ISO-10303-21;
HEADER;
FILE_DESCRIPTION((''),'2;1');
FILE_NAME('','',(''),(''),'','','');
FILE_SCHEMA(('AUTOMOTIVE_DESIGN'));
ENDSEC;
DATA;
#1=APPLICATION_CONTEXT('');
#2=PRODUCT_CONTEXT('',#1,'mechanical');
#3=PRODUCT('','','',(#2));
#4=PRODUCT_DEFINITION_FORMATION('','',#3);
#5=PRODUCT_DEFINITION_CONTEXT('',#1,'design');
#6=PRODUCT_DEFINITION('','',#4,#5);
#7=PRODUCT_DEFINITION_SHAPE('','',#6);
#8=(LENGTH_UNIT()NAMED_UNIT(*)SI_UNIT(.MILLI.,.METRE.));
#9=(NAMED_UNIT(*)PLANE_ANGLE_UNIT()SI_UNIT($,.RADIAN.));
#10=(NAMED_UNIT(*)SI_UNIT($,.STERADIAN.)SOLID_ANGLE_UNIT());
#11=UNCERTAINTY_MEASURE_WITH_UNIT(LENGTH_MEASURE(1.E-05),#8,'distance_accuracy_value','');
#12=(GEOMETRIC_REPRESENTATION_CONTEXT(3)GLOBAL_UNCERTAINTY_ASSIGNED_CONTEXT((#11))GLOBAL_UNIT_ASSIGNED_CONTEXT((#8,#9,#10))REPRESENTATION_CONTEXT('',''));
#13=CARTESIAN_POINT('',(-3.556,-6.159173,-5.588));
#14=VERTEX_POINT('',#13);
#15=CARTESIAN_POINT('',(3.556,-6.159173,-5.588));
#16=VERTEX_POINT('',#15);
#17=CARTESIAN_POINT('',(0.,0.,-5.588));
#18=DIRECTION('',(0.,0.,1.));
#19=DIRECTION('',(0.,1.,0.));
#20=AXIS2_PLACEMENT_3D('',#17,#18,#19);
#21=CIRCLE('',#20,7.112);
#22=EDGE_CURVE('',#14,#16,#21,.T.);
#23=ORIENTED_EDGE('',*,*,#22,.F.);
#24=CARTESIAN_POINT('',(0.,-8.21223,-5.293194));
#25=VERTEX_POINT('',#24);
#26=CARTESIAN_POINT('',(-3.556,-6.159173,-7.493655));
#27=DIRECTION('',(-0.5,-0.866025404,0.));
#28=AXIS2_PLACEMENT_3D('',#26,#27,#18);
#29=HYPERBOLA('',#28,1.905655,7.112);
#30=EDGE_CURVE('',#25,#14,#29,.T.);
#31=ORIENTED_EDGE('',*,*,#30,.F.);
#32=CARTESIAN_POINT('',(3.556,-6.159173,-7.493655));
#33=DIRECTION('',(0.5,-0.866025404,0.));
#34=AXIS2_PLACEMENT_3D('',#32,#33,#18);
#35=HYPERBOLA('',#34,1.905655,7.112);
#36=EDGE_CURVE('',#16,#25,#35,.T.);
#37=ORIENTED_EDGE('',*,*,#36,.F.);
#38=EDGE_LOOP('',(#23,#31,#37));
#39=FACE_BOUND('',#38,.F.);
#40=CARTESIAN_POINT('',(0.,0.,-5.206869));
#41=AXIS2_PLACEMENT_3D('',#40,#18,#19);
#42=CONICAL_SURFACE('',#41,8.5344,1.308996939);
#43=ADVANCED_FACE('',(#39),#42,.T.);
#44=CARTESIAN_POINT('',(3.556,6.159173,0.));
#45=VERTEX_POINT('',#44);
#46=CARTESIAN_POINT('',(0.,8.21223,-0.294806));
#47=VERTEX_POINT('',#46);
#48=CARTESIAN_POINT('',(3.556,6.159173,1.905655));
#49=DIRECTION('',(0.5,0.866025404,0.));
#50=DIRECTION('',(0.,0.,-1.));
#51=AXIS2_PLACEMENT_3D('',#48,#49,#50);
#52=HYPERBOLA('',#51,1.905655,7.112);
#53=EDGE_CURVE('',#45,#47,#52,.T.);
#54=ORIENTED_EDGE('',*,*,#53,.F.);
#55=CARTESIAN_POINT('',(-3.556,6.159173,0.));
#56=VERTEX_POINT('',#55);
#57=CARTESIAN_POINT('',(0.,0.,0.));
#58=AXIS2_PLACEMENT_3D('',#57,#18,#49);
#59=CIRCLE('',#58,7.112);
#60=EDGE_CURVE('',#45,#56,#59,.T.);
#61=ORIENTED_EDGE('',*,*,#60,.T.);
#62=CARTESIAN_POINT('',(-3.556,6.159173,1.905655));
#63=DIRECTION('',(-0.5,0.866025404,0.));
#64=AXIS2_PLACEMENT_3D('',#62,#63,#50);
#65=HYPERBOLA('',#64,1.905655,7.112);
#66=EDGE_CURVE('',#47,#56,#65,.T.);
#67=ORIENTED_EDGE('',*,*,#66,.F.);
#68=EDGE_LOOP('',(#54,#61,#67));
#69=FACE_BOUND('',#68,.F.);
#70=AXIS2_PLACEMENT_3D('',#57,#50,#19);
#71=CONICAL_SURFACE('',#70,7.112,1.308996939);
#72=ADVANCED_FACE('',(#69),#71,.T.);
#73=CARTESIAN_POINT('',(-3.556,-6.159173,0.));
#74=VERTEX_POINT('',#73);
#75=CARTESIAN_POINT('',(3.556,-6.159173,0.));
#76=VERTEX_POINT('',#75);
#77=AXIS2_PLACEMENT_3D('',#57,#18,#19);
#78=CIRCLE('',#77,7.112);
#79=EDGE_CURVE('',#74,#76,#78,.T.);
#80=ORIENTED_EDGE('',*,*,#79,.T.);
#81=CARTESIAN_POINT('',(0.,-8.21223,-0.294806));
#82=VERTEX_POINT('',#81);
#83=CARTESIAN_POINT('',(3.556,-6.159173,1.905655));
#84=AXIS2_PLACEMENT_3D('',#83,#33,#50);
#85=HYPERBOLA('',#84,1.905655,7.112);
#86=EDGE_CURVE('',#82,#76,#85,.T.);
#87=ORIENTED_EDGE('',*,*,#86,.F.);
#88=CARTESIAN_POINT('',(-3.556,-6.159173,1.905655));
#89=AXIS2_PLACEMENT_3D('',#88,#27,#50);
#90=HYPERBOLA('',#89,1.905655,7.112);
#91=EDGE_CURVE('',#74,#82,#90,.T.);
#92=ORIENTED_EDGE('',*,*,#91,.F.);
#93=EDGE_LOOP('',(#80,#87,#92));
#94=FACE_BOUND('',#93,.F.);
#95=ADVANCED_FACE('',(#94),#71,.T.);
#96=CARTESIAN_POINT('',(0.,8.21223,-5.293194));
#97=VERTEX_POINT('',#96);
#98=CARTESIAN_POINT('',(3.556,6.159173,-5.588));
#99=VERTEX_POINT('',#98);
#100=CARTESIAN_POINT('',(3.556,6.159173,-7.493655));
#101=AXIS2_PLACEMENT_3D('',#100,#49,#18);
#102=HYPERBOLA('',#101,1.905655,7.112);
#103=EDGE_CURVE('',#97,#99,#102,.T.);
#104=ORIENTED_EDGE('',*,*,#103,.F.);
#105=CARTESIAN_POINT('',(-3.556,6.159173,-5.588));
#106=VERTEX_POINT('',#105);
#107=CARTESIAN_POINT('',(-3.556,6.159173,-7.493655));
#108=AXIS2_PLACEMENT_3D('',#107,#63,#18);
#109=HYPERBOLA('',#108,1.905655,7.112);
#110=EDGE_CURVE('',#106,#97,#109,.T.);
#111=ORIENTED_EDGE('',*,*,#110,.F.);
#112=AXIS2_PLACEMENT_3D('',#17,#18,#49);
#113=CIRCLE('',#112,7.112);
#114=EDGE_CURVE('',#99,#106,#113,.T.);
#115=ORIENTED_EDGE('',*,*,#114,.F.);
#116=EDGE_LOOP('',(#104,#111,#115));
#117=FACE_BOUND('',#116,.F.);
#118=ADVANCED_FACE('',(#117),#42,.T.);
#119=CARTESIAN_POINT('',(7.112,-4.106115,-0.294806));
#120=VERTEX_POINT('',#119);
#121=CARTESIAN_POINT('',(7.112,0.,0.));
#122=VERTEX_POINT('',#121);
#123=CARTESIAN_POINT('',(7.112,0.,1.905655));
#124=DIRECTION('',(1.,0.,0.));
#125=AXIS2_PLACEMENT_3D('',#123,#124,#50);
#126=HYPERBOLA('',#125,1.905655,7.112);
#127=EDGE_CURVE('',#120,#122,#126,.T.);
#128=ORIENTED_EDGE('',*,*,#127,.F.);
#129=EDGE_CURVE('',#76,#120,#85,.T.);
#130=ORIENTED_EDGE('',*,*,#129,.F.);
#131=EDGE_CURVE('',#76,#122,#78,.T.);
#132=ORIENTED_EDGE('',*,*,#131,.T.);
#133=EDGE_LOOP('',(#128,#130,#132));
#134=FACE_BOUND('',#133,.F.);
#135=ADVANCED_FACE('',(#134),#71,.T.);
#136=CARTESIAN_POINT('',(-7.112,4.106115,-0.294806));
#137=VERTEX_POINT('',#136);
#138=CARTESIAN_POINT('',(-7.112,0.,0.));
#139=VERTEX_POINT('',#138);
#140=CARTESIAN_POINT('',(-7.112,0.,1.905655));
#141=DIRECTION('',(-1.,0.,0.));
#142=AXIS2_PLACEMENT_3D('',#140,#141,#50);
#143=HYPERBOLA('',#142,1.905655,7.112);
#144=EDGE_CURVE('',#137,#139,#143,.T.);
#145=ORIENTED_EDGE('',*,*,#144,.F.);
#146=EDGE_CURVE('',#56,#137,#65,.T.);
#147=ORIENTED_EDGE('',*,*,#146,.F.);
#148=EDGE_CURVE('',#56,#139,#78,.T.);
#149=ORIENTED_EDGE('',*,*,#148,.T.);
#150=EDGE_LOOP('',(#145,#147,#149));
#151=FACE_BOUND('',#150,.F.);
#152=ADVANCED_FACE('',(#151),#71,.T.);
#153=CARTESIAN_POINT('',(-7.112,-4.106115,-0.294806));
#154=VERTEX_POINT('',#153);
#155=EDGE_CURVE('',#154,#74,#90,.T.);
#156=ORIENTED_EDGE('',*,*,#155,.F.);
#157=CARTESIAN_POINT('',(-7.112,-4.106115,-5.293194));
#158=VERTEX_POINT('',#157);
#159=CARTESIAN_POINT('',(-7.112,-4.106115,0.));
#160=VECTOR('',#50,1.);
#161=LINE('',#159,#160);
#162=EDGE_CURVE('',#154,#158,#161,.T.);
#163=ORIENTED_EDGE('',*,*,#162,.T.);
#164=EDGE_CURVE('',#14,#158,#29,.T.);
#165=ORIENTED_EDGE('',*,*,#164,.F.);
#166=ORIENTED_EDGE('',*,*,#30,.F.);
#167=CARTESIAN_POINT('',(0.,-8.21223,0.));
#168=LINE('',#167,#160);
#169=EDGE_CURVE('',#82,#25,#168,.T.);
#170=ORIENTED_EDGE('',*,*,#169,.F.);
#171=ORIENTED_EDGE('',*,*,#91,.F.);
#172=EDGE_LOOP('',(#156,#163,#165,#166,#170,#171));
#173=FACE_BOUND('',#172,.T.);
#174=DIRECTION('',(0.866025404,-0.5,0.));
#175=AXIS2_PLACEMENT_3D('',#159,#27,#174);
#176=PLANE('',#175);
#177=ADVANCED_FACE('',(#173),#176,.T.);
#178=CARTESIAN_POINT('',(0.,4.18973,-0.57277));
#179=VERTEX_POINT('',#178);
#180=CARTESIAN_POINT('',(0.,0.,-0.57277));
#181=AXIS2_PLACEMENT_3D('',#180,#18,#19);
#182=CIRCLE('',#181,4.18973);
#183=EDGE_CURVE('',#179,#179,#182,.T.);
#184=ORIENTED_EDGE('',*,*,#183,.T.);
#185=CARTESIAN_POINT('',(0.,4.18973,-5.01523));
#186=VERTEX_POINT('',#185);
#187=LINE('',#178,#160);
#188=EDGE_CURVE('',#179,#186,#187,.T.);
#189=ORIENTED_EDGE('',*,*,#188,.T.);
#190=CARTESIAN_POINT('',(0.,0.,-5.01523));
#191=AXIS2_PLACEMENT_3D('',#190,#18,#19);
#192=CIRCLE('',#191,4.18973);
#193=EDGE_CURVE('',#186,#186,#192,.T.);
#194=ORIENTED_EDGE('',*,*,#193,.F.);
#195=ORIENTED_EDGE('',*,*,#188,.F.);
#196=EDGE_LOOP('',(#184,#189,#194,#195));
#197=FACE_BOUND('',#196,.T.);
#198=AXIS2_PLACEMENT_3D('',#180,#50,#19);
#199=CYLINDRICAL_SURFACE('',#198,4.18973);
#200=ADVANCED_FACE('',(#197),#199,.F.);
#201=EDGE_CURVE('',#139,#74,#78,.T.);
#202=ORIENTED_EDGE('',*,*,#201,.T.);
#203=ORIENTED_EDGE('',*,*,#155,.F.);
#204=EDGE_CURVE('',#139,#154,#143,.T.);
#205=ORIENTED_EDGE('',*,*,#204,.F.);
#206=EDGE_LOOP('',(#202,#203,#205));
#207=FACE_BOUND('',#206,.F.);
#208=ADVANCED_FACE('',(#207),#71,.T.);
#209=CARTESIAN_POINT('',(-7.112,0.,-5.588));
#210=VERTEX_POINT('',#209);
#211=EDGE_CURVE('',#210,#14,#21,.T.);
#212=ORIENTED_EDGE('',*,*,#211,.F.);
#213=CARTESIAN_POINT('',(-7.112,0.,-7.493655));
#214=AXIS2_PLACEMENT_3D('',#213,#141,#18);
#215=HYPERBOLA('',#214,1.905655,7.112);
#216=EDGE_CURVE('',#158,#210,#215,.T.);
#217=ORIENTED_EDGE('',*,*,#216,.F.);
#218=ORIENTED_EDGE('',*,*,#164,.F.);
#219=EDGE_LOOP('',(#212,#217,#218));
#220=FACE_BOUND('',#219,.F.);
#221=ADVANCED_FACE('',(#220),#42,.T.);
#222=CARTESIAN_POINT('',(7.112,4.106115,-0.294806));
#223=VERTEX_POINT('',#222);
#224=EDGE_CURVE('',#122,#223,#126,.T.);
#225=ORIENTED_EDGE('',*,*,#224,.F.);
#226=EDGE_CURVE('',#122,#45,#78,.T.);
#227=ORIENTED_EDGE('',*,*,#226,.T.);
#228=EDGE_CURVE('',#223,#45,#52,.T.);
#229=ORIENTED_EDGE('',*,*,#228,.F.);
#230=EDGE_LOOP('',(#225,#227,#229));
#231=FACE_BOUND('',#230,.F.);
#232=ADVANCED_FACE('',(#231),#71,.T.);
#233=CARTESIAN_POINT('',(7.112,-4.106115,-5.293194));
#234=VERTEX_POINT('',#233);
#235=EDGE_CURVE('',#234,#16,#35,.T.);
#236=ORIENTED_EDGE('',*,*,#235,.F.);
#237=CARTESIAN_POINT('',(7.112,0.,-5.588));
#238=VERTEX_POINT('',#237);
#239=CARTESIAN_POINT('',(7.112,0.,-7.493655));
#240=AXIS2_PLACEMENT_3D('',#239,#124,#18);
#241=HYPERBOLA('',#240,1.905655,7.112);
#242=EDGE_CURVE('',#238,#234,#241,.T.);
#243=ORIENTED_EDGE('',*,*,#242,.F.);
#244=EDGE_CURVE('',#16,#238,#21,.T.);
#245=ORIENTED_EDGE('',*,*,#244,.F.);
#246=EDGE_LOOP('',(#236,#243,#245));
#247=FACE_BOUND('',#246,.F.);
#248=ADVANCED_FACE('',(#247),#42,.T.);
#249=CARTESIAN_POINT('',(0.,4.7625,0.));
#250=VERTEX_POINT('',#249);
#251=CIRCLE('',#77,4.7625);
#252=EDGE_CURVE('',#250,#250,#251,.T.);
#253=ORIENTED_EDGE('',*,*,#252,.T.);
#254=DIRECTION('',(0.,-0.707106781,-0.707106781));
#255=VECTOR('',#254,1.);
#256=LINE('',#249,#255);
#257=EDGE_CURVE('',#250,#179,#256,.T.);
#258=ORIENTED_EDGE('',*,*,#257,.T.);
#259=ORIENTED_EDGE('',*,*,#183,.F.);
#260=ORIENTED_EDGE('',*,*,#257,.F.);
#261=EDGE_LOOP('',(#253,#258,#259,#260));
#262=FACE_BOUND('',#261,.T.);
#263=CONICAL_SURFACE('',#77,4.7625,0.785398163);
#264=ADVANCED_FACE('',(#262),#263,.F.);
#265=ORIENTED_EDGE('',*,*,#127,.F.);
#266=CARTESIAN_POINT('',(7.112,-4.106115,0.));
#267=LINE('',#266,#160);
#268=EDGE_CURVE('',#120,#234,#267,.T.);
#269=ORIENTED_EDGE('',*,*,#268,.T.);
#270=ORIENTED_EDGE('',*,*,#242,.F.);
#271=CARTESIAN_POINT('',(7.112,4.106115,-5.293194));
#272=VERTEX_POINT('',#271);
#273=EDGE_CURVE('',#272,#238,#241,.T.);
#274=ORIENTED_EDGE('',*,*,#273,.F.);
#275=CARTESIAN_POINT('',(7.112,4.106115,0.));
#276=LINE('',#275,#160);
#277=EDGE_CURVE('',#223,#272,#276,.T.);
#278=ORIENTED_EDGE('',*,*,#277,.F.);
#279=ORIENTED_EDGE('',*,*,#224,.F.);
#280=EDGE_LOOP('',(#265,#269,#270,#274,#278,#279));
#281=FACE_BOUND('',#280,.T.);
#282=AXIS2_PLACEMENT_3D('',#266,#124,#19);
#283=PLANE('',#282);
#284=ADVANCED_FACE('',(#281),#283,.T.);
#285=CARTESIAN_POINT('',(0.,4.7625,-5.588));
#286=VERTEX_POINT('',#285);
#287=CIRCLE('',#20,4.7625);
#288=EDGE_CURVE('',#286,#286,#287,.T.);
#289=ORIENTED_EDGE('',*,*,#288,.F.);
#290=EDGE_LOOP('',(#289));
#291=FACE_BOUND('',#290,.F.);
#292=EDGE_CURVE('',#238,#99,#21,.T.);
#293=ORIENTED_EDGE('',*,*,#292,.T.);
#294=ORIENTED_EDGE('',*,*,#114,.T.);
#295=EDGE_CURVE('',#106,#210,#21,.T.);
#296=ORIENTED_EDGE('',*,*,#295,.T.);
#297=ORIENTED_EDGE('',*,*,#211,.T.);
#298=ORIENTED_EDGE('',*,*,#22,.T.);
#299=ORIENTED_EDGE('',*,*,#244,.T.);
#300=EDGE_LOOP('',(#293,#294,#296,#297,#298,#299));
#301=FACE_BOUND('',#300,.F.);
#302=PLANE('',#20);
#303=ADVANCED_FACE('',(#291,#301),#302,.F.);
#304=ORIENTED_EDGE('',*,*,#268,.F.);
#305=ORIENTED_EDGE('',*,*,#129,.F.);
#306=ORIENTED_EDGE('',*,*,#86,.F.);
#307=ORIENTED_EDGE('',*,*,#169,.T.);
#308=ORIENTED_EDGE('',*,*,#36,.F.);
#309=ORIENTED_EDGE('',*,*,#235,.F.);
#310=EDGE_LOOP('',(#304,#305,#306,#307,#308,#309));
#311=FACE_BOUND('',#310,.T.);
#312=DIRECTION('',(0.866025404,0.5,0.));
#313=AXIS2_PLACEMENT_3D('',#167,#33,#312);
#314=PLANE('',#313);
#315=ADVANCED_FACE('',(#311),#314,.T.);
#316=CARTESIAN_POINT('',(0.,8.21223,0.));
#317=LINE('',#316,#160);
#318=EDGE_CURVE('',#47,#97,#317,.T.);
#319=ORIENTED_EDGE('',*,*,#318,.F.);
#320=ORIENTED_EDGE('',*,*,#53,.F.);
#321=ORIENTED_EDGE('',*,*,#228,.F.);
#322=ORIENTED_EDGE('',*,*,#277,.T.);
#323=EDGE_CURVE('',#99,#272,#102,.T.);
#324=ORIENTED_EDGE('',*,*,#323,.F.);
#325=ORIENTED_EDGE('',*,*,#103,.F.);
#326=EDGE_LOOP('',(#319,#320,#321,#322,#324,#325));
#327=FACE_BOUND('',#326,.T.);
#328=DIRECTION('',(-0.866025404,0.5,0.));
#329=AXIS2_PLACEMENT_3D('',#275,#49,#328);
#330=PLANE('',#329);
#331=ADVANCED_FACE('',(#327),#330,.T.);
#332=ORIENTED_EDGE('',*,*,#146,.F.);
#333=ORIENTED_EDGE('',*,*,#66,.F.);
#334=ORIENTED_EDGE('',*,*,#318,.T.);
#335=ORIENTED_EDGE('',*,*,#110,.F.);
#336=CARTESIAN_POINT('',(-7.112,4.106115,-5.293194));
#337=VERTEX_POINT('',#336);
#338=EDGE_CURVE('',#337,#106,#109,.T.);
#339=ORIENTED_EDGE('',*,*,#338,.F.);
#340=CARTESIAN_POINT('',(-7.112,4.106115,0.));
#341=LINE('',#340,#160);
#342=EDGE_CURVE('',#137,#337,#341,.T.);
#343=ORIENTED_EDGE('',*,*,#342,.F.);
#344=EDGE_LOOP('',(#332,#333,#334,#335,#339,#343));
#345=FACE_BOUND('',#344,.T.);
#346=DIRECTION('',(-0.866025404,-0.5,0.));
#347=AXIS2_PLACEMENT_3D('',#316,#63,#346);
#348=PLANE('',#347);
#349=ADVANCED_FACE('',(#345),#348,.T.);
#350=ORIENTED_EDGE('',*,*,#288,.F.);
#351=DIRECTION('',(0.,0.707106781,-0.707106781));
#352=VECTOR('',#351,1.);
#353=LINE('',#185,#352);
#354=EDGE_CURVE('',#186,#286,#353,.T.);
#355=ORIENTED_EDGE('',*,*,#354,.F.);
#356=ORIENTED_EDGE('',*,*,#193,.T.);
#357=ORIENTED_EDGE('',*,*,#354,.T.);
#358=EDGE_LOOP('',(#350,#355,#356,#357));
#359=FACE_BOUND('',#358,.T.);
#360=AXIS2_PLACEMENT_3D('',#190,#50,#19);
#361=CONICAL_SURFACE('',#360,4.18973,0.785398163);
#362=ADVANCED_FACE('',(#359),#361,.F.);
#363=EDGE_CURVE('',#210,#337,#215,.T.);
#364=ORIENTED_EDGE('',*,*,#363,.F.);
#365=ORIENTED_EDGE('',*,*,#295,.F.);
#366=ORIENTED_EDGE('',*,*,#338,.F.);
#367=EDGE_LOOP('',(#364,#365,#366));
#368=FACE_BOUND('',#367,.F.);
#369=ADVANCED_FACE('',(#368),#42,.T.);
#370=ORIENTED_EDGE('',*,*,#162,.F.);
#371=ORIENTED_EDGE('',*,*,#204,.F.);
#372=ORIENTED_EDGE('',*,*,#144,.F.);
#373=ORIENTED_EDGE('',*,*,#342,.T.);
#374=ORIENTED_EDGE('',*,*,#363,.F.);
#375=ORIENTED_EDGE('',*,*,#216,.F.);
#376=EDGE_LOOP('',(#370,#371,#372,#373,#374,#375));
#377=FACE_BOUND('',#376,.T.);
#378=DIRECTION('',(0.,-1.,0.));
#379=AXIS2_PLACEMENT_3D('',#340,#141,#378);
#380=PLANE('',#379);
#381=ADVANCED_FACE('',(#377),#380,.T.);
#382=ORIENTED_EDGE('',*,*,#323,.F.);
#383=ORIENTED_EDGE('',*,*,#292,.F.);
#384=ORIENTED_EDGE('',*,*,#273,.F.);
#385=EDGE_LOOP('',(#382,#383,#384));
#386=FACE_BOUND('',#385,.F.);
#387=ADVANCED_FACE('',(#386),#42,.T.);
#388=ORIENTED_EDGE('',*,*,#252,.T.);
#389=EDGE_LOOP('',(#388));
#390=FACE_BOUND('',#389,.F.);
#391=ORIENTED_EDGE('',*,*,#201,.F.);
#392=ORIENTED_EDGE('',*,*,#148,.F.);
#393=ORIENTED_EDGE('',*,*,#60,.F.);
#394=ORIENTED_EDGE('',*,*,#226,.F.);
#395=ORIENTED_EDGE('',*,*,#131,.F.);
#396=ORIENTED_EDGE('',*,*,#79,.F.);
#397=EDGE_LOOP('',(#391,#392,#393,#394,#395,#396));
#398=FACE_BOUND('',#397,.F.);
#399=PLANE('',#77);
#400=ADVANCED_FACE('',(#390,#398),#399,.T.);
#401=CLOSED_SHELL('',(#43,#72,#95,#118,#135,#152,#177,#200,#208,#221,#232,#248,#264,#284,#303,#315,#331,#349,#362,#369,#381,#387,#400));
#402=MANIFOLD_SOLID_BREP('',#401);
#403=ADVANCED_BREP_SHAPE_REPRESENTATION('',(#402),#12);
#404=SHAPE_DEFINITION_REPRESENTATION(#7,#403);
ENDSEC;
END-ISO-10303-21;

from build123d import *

# Parameters (mm, degrees)
SKETCH2_W          = 28.448
SKETCH2_H          = 28.448
CUT_EXTRUDE1_DEPTH = 5.588


with BuildPart() as part:
    # Sketch1 → Revolve1 (revolve)
    with BuildSketch(Plane(origin=(0, 0, 0), x_dir=(0, 0, -1), z_dir=(1, 0, 0))):
        Polygon((0, 0), (0, 7.112), (0.381130931, 8.5344), (5.206869069, 8.5344), (5.588, 7.112), (5.588, 0), align=None)
    revolve(axis=Axis((0, 0, -5.588), (0, 0, 1)))

    # Sketch2 → Cut-Extrude1 (cut)
    with BuildSketch(Plane.XY):
        Rectangle(SKETCH2_W, SKETCH2_H)
        Polygon((-7.112, -4.106115114), (0, -8.212230229), (7.112, -4.106115114), (7.112, 4.106115114), (0, 8.212230229), (-7.112, 4.106115114), align=None, mode=Mode.SUBTRACT)
    extrude(amount=-CUT_EXTRUDE1_DEPTH, mode=Mode.SUBTRACT)

    # Sketch3 → Cut-Revolve1 (revolve, cut)
    with BuildSketch(Plane(origin=(0, 0, 0), x_dir=(0, 0, -1), z_dir=(1, 0, 0))):
        Polygon((0, 0), (0, 4.7625), (0.57277, 4.18973), (5.01523, 4.18973), (5.588, 4.7625), (5.588, 0), align=None)
    revolve(axis=Axis((0, 0, -5.588), (0, 0, 1)), mode=Mode.SUBTRACT)


solid = part.part
